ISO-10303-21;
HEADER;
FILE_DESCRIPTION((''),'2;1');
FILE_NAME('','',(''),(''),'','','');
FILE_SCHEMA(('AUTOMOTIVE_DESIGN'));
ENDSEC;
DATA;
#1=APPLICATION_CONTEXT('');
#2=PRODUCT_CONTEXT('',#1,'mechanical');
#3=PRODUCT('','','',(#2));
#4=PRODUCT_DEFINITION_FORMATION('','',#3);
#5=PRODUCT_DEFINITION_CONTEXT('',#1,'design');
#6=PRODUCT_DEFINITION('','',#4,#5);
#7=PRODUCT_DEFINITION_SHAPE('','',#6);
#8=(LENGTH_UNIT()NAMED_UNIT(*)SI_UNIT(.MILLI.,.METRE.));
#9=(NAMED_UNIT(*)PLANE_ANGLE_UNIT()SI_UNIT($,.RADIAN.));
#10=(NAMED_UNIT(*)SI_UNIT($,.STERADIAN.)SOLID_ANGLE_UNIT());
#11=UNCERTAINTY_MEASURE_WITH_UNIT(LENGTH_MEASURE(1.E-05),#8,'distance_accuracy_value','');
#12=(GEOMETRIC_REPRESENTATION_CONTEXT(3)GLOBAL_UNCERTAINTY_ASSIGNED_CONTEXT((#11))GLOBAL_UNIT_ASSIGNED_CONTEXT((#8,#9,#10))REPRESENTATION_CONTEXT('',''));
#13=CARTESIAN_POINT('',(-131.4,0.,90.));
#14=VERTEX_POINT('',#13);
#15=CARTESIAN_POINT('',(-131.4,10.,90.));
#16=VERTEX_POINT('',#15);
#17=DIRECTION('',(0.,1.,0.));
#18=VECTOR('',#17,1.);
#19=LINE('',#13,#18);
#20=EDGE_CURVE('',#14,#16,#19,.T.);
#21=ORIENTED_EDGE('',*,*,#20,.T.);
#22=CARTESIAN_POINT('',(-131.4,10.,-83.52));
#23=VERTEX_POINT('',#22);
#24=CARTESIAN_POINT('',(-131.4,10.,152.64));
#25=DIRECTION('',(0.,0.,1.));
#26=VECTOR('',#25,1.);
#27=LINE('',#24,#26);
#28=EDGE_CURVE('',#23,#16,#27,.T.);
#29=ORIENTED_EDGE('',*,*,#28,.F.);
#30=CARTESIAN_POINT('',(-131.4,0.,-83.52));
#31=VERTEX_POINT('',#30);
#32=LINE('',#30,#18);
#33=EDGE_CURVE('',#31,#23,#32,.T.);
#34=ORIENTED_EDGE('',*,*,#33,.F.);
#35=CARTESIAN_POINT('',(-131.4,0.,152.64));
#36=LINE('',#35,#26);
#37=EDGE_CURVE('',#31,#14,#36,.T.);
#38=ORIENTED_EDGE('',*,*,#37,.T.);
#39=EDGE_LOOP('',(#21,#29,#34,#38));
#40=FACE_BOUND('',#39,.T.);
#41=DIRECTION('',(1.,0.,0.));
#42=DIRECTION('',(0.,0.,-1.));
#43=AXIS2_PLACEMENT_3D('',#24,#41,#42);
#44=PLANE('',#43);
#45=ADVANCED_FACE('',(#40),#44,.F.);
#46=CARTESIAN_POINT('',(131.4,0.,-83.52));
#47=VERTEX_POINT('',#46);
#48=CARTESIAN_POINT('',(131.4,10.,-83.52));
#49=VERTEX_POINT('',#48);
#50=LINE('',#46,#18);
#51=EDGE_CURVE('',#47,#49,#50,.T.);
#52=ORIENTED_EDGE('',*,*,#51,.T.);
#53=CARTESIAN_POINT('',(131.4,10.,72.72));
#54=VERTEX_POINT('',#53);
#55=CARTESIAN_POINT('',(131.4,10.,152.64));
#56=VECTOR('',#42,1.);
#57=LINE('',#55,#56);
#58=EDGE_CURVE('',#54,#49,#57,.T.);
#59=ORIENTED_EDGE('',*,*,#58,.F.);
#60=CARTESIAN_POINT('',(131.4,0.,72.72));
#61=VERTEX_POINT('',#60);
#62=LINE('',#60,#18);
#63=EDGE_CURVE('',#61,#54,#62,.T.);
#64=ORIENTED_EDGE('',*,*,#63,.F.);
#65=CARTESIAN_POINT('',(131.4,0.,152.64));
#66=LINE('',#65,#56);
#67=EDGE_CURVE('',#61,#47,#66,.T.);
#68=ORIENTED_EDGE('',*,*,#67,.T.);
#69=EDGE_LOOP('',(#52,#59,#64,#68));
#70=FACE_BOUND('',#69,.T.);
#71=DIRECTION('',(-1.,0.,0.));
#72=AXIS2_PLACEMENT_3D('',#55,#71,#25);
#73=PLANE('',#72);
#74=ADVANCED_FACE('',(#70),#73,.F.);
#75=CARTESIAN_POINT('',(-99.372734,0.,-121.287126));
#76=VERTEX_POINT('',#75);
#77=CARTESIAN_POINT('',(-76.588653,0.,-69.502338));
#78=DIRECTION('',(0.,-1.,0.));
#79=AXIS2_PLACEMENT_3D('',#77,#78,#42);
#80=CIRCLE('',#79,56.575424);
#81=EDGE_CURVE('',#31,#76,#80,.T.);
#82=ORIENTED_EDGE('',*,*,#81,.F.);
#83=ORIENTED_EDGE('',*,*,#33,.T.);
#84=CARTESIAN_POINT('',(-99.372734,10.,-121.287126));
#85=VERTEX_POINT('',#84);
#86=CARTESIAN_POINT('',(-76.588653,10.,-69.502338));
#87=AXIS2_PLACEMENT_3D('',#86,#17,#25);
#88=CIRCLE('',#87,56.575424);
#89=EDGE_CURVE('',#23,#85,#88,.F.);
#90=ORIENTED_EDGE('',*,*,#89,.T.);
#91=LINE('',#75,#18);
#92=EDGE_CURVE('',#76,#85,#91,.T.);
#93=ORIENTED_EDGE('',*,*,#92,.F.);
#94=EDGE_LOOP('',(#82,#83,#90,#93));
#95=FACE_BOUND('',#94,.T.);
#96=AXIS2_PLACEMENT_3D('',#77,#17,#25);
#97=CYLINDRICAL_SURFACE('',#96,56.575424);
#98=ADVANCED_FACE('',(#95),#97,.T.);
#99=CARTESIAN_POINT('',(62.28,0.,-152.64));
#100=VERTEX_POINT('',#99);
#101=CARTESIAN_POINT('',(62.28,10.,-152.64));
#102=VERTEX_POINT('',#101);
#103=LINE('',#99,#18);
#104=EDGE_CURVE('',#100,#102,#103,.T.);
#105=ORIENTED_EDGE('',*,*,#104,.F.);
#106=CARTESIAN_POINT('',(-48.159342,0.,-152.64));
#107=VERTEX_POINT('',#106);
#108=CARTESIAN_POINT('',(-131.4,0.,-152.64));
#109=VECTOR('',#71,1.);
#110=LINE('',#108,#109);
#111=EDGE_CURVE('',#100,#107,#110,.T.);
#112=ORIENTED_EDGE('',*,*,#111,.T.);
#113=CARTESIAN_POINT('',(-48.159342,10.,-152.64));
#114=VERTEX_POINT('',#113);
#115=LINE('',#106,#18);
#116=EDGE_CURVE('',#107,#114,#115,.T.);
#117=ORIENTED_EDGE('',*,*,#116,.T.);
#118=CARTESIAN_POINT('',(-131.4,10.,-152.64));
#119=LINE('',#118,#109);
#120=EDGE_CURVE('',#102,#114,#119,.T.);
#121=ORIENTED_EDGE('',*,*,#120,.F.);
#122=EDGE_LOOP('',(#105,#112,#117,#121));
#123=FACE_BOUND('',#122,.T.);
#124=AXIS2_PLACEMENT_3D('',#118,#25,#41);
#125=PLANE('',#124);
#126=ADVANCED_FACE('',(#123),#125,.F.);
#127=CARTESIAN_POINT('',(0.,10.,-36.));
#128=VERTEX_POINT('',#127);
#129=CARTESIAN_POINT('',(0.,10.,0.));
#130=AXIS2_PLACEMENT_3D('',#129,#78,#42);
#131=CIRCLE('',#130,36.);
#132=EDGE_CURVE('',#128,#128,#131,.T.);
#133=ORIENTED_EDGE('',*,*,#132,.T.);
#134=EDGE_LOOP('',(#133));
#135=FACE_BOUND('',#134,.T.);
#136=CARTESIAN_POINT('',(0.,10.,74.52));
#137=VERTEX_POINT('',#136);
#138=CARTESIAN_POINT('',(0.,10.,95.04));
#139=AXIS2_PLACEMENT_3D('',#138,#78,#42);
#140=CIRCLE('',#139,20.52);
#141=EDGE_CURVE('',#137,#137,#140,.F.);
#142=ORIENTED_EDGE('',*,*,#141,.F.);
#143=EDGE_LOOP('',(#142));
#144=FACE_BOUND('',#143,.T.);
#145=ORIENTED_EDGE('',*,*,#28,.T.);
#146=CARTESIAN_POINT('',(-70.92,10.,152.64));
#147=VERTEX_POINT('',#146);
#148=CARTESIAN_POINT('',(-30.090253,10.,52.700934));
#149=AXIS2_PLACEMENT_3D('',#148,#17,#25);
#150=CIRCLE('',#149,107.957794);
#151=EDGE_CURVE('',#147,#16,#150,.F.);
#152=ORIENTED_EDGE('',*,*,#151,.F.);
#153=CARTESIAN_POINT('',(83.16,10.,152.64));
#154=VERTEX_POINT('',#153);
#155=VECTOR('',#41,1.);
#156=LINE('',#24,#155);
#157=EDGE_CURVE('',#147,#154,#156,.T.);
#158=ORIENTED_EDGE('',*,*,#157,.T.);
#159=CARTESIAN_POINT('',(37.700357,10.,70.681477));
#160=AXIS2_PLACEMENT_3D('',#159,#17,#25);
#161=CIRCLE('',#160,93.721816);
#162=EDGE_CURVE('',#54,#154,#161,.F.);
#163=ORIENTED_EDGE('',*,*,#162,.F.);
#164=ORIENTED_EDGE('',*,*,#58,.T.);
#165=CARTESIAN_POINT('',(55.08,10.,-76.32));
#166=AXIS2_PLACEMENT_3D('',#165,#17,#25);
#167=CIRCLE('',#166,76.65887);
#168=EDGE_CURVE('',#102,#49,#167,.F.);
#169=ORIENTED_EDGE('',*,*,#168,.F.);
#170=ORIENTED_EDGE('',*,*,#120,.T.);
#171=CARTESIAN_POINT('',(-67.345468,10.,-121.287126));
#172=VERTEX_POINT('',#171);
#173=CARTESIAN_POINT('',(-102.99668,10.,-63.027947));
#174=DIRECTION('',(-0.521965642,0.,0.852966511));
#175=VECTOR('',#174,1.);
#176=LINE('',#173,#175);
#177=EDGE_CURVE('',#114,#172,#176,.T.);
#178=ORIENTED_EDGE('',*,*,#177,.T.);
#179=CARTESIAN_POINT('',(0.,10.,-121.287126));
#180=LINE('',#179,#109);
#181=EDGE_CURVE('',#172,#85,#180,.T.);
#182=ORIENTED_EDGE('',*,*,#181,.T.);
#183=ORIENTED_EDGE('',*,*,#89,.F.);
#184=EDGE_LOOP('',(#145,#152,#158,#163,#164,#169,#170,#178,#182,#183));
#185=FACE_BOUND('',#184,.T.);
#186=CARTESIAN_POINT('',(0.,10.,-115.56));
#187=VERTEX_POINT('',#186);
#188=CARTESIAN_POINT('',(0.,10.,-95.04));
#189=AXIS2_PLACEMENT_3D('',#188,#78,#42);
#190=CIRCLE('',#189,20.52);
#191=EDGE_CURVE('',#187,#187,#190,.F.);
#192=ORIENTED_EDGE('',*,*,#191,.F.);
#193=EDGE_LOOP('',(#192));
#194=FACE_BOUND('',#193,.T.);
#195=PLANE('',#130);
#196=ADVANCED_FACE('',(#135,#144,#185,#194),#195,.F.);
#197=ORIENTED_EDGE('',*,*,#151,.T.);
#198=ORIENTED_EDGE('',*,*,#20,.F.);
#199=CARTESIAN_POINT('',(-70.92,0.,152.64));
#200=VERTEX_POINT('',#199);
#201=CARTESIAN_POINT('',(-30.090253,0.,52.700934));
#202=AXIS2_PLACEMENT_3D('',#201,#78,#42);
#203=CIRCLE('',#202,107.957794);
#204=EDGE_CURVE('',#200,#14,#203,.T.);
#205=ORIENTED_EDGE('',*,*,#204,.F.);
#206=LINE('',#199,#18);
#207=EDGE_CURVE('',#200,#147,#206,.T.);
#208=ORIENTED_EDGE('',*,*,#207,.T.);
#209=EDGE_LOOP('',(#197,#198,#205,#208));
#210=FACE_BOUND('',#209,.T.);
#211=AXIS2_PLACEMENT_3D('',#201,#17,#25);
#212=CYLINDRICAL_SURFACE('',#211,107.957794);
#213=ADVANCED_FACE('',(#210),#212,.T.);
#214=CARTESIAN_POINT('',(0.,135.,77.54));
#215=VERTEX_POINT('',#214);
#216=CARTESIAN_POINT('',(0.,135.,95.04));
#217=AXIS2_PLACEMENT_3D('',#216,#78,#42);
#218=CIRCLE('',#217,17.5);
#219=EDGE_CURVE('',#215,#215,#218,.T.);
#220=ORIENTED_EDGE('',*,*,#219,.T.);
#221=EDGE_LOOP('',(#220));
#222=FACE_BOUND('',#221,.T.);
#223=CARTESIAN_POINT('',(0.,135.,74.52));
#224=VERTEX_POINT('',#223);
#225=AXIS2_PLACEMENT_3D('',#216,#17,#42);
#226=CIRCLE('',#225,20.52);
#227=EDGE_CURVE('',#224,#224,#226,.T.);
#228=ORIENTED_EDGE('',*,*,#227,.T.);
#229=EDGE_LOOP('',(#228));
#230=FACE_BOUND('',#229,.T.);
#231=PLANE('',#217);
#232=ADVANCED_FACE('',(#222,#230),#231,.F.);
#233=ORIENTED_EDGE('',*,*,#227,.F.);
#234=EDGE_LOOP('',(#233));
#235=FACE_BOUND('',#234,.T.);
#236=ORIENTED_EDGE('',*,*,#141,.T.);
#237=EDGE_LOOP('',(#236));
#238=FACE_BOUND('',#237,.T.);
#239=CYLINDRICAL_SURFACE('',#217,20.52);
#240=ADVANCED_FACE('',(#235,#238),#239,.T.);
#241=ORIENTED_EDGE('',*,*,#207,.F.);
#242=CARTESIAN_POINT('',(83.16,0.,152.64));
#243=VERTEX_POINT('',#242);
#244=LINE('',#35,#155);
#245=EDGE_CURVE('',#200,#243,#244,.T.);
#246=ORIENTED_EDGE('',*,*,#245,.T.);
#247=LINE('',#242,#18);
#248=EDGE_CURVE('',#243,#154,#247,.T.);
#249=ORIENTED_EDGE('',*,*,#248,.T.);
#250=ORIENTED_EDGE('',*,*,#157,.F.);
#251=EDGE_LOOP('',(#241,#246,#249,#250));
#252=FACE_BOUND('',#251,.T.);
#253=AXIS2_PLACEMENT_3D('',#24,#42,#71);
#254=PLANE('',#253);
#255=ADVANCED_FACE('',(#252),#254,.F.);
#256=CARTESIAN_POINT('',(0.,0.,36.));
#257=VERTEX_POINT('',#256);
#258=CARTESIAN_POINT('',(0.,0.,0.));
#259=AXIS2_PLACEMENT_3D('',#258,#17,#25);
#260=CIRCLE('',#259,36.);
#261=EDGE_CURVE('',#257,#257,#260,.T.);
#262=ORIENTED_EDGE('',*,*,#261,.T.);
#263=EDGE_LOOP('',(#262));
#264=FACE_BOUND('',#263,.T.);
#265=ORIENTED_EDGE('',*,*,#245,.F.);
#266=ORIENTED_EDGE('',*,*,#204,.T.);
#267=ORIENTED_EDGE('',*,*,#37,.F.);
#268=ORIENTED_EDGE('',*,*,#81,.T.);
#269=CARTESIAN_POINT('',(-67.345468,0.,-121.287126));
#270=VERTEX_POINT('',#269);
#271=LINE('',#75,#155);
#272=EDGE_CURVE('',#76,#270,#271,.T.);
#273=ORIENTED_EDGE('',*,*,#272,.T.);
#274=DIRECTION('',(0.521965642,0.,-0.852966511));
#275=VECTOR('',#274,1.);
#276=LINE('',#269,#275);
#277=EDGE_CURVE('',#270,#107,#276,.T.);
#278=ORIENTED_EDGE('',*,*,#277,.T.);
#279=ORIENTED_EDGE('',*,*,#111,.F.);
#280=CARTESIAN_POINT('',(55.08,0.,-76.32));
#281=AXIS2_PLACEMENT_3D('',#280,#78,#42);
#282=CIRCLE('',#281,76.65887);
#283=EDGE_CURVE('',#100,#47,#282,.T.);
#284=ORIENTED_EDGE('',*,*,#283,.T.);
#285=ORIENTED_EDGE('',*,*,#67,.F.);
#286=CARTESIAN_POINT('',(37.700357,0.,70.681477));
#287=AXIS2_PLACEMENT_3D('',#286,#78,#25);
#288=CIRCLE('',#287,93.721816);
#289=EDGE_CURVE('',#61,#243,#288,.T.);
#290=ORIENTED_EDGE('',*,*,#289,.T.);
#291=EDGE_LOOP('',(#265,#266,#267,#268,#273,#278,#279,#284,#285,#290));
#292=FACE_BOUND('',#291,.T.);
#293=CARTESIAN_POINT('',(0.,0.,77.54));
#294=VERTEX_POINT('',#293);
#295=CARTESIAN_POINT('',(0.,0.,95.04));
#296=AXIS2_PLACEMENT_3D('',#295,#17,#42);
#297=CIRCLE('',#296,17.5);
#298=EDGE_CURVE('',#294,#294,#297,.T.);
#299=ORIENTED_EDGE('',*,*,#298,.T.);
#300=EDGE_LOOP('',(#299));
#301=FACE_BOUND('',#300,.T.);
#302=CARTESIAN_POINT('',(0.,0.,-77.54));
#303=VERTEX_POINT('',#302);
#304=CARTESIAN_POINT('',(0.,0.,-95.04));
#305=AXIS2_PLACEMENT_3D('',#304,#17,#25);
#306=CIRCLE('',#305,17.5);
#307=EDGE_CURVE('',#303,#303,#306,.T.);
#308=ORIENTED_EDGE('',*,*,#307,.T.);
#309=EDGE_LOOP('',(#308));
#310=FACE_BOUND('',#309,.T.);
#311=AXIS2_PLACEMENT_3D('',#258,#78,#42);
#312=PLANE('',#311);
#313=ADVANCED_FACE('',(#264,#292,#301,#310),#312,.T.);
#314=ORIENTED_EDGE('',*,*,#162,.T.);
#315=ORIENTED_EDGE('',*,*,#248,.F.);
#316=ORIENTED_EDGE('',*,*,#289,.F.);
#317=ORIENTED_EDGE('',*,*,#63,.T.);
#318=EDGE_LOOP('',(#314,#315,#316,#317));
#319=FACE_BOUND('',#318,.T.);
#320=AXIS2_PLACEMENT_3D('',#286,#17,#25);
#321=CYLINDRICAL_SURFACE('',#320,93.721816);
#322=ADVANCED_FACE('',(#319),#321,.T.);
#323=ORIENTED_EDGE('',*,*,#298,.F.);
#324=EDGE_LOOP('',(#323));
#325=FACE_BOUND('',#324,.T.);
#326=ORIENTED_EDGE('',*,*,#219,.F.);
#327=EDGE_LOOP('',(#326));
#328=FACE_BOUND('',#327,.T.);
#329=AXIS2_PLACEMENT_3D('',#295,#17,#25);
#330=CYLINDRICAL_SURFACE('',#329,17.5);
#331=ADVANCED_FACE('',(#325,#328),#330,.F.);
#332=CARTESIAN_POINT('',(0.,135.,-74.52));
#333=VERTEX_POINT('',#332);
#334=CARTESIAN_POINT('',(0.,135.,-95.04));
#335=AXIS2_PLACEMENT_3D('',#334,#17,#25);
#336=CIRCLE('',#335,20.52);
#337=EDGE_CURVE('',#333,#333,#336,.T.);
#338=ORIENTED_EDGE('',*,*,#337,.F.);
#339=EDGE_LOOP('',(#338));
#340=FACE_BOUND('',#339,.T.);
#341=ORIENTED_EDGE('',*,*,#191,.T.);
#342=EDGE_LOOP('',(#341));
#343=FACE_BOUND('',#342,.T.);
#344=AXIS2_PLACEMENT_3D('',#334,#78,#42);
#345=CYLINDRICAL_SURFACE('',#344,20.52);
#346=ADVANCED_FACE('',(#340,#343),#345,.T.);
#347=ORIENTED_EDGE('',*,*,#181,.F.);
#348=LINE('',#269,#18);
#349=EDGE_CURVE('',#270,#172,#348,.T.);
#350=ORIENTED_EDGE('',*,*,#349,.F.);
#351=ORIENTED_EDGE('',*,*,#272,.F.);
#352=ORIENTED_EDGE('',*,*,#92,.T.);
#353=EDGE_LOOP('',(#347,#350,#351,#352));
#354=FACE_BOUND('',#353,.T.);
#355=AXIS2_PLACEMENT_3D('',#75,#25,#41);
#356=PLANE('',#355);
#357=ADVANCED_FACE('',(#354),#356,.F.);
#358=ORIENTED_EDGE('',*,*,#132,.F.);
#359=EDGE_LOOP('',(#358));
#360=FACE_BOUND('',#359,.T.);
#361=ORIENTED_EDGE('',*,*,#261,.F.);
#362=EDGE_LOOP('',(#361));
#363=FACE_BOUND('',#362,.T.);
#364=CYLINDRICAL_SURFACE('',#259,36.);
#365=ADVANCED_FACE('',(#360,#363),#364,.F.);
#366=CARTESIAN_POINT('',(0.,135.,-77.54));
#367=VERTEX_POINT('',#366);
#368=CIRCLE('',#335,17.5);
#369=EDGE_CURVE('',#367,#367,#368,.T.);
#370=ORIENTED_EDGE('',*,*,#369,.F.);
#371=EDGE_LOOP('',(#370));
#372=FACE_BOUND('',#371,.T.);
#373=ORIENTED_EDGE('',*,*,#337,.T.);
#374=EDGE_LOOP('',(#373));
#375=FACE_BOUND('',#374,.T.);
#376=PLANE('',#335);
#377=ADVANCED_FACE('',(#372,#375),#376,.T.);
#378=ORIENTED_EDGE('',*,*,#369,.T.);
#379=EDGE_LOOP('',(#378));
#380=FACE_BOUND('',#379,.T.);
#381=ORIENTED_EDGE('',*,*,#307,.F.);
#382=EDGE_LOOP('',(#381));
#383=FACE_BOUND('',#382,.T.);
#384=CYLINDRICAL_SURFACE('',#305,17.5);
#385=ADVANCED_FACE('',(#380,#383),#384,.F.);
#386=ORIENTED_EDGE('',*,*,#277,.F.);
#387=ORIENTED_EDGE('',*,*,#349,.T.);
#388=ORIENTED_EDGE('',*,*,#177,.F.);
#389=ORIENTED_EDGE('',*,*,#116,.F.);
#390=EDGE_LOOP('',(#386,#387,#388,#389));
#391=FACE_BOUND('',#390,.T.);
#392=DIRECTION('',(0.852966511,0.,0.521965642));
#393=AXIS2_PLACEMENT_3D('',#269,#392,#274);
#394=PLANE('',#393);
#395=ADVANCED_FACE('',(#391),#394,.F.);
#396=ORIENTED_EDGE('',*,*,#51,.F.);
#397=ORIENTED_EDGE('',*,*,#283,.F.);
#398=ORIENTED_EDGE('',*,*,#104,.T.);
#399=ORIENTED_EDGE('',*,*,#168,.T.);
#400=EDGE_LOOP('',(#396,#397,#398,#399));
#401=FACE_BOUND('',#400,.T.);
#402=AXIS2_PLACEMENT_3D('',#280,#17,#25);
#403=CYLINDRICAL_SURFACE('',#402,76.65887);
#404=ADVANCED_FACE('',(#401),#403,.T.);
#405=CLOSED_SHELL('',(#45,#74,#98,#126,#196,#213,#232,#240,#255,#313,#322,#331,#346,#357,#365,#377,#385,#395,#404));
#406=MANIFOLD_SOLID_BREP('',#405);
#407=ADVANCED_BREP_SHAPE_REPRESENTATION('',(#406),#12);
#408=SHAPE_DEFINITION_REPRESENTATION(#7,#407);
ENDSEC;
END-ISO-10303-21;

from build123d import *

# Parameters (mm, degrees)
SKETCH3_W               = 262.8
SKETCH3_H               = 305.28
BOSS_EXTRUDE3_DEPTH     = 10
CUT_EXTRUDE1_DEPTH      = 202.655472527
CUT_EXTRUDE1_DEPTH_BACK = 202.655472527
CUT_EXTRUDE2_DEPTH      = 202.655472527
CUT_EXTRUDE2_DEPTH_BACK = 202.655472527
SKETCH5_R               = 36
SKETCH6_R               = 20.52
BOSS_EXTRUDE4_DEPTH     = 125
CUT_EXTRUDE3_DEPTH      = 243.466347356
CUT_EXTRUDE3_DEPTH_BACK = 243.466347356
SKETCH7_R               = 17.5


with BuildPart() as part:
    # Sketch3 → Boss-Extrude3 (new body)
    with BuildSketch(Plane(origin=(0, 0, 0), x_dir=(1, 0, 0), z_dir=(0, 1, 0))):
        Rectangle(SKETCH3_W, SKETCH3_H)
    extrude(amount=BOSS_EXTRUDE3_DEPTH)

    # Sketch4 → Cut-Extrude1 (cut, two sides: drawn at the far end of the back side and taken through both)
    with BuildSketch(Plane(origin=(0, 10, 0), x_dir=(1, 0, 0), z_dir=(0, 1, 0)).offset(-CUT_EXTRUDE1_DEPTH_BACK)):
        with BuildLine():
            Line((-131.4, -90), (-131.4, -152.64))
            Line((-131.4, -152.64), (-70.92, -152.64))
            ThreePointArc((-70.92, -152.64), (-107.755247271, -127.687824951), (-131.4, -90))
        make_face()
        with BuildLine():
            Line((83.16, -152.64), (131.4, -152.64))
            Line((131.4, -152.64), (131.4, -72.72))
            ThreePointArc((131.4, -72.72), (117.938305095, -119.113391364), (83.16, -152.64))
        make_face()
        with BuildLine():
            Line((-99.372734155, 121.287125755), (-67.345468311, 121.287125755))
            Line((-67.345468311, 121.287125755), (-48.15934209, 152.64))
            Line((-48.15934209, 152.64), (-131.4, 152.64))
            Line((-131.4, 152.64), (-131.4, 83.52))
            ThreePointArc((-131.4, 83.52), (-119.737831056, 106.093689962), (-99.372734155, 121.287125755))
        make_face()
        with BuildLine():
            Line((131.4, 83.52), (131.4, 152.64))
            Line((131.4, 152.64), (62.28, 152.64))
            ThreePointArc((62.28, 152.64), (109.286007047, 130.526007047), (131.4, 83.52))
        make_face()
    extrude(amount=CUT_EXTRUDE1_DEPTH + CUT_EXTRUDE1_DEPTH_BACK, mode=Mode.SUBTRACT)

    # Sketch5 → Cut-Extrude2 (cut, two sides: drawn at the far end of the back side and taken through both)
    with BuildSketch(Plane(origin=(0, 10, 0), x_dir=(1, 0, 0), z_dir=(0, 1, 0)).offset(-CUT_EXTRUDE2_DEPTH_BACK)):
        with Locations(Location((0, 0, 0), (0, 0, 270))):
            Circle(SKETCH5_R)
    extrude(amount=CUT_EXTRUDE2_DEPTH + CUT_EXTRUDE2_DEPTH_BACK, mode=Mode.SUBTRACT)

    # Sketch6 → Boss-Extrude4 (add)
    with BuildSketch(Plane(origin=(0, 10, 0), x_dir=(1, 0, 0), z_dir=(0, 1, 0))):
        with Locations(Location((0, 95.04, 0), (0, 0, 90))):
            Circle(SKETCH6_R)
        with Locations(Location((0, -95.04, 0), (0, 0, 90))):
            Circle(SKETCH6_R)
    extrude(amount=BOSS_EXTRUDE4_DEPTH)

    # Sketch7 → Cut-Extrude3 (cut, two sides: drawn at the far end of the back side and taken through both)
    with BuildSketch(Plane(origin=(0, 135, 0), x_dir=(1, 0, 0), z_dir=(0, 1, 0)).offset(-CUT_EXTRUDE3_DEPTH_BACK)):
        with Locations(Location((0, 95.04, 0), (0, 0, 270))):
            Circle(SKETCH7_R)
        with Locations(Location((0, -95.04, 0), (0, 0, 90))):
            Circle(SKETCH7_R)
    extrude(amount=CUT_EXTRUDE3_DEPTH + CUT_EXTRUDE3_DEPTH_BACK, mode=Mode.SUBTRACT)


solid = part.part
